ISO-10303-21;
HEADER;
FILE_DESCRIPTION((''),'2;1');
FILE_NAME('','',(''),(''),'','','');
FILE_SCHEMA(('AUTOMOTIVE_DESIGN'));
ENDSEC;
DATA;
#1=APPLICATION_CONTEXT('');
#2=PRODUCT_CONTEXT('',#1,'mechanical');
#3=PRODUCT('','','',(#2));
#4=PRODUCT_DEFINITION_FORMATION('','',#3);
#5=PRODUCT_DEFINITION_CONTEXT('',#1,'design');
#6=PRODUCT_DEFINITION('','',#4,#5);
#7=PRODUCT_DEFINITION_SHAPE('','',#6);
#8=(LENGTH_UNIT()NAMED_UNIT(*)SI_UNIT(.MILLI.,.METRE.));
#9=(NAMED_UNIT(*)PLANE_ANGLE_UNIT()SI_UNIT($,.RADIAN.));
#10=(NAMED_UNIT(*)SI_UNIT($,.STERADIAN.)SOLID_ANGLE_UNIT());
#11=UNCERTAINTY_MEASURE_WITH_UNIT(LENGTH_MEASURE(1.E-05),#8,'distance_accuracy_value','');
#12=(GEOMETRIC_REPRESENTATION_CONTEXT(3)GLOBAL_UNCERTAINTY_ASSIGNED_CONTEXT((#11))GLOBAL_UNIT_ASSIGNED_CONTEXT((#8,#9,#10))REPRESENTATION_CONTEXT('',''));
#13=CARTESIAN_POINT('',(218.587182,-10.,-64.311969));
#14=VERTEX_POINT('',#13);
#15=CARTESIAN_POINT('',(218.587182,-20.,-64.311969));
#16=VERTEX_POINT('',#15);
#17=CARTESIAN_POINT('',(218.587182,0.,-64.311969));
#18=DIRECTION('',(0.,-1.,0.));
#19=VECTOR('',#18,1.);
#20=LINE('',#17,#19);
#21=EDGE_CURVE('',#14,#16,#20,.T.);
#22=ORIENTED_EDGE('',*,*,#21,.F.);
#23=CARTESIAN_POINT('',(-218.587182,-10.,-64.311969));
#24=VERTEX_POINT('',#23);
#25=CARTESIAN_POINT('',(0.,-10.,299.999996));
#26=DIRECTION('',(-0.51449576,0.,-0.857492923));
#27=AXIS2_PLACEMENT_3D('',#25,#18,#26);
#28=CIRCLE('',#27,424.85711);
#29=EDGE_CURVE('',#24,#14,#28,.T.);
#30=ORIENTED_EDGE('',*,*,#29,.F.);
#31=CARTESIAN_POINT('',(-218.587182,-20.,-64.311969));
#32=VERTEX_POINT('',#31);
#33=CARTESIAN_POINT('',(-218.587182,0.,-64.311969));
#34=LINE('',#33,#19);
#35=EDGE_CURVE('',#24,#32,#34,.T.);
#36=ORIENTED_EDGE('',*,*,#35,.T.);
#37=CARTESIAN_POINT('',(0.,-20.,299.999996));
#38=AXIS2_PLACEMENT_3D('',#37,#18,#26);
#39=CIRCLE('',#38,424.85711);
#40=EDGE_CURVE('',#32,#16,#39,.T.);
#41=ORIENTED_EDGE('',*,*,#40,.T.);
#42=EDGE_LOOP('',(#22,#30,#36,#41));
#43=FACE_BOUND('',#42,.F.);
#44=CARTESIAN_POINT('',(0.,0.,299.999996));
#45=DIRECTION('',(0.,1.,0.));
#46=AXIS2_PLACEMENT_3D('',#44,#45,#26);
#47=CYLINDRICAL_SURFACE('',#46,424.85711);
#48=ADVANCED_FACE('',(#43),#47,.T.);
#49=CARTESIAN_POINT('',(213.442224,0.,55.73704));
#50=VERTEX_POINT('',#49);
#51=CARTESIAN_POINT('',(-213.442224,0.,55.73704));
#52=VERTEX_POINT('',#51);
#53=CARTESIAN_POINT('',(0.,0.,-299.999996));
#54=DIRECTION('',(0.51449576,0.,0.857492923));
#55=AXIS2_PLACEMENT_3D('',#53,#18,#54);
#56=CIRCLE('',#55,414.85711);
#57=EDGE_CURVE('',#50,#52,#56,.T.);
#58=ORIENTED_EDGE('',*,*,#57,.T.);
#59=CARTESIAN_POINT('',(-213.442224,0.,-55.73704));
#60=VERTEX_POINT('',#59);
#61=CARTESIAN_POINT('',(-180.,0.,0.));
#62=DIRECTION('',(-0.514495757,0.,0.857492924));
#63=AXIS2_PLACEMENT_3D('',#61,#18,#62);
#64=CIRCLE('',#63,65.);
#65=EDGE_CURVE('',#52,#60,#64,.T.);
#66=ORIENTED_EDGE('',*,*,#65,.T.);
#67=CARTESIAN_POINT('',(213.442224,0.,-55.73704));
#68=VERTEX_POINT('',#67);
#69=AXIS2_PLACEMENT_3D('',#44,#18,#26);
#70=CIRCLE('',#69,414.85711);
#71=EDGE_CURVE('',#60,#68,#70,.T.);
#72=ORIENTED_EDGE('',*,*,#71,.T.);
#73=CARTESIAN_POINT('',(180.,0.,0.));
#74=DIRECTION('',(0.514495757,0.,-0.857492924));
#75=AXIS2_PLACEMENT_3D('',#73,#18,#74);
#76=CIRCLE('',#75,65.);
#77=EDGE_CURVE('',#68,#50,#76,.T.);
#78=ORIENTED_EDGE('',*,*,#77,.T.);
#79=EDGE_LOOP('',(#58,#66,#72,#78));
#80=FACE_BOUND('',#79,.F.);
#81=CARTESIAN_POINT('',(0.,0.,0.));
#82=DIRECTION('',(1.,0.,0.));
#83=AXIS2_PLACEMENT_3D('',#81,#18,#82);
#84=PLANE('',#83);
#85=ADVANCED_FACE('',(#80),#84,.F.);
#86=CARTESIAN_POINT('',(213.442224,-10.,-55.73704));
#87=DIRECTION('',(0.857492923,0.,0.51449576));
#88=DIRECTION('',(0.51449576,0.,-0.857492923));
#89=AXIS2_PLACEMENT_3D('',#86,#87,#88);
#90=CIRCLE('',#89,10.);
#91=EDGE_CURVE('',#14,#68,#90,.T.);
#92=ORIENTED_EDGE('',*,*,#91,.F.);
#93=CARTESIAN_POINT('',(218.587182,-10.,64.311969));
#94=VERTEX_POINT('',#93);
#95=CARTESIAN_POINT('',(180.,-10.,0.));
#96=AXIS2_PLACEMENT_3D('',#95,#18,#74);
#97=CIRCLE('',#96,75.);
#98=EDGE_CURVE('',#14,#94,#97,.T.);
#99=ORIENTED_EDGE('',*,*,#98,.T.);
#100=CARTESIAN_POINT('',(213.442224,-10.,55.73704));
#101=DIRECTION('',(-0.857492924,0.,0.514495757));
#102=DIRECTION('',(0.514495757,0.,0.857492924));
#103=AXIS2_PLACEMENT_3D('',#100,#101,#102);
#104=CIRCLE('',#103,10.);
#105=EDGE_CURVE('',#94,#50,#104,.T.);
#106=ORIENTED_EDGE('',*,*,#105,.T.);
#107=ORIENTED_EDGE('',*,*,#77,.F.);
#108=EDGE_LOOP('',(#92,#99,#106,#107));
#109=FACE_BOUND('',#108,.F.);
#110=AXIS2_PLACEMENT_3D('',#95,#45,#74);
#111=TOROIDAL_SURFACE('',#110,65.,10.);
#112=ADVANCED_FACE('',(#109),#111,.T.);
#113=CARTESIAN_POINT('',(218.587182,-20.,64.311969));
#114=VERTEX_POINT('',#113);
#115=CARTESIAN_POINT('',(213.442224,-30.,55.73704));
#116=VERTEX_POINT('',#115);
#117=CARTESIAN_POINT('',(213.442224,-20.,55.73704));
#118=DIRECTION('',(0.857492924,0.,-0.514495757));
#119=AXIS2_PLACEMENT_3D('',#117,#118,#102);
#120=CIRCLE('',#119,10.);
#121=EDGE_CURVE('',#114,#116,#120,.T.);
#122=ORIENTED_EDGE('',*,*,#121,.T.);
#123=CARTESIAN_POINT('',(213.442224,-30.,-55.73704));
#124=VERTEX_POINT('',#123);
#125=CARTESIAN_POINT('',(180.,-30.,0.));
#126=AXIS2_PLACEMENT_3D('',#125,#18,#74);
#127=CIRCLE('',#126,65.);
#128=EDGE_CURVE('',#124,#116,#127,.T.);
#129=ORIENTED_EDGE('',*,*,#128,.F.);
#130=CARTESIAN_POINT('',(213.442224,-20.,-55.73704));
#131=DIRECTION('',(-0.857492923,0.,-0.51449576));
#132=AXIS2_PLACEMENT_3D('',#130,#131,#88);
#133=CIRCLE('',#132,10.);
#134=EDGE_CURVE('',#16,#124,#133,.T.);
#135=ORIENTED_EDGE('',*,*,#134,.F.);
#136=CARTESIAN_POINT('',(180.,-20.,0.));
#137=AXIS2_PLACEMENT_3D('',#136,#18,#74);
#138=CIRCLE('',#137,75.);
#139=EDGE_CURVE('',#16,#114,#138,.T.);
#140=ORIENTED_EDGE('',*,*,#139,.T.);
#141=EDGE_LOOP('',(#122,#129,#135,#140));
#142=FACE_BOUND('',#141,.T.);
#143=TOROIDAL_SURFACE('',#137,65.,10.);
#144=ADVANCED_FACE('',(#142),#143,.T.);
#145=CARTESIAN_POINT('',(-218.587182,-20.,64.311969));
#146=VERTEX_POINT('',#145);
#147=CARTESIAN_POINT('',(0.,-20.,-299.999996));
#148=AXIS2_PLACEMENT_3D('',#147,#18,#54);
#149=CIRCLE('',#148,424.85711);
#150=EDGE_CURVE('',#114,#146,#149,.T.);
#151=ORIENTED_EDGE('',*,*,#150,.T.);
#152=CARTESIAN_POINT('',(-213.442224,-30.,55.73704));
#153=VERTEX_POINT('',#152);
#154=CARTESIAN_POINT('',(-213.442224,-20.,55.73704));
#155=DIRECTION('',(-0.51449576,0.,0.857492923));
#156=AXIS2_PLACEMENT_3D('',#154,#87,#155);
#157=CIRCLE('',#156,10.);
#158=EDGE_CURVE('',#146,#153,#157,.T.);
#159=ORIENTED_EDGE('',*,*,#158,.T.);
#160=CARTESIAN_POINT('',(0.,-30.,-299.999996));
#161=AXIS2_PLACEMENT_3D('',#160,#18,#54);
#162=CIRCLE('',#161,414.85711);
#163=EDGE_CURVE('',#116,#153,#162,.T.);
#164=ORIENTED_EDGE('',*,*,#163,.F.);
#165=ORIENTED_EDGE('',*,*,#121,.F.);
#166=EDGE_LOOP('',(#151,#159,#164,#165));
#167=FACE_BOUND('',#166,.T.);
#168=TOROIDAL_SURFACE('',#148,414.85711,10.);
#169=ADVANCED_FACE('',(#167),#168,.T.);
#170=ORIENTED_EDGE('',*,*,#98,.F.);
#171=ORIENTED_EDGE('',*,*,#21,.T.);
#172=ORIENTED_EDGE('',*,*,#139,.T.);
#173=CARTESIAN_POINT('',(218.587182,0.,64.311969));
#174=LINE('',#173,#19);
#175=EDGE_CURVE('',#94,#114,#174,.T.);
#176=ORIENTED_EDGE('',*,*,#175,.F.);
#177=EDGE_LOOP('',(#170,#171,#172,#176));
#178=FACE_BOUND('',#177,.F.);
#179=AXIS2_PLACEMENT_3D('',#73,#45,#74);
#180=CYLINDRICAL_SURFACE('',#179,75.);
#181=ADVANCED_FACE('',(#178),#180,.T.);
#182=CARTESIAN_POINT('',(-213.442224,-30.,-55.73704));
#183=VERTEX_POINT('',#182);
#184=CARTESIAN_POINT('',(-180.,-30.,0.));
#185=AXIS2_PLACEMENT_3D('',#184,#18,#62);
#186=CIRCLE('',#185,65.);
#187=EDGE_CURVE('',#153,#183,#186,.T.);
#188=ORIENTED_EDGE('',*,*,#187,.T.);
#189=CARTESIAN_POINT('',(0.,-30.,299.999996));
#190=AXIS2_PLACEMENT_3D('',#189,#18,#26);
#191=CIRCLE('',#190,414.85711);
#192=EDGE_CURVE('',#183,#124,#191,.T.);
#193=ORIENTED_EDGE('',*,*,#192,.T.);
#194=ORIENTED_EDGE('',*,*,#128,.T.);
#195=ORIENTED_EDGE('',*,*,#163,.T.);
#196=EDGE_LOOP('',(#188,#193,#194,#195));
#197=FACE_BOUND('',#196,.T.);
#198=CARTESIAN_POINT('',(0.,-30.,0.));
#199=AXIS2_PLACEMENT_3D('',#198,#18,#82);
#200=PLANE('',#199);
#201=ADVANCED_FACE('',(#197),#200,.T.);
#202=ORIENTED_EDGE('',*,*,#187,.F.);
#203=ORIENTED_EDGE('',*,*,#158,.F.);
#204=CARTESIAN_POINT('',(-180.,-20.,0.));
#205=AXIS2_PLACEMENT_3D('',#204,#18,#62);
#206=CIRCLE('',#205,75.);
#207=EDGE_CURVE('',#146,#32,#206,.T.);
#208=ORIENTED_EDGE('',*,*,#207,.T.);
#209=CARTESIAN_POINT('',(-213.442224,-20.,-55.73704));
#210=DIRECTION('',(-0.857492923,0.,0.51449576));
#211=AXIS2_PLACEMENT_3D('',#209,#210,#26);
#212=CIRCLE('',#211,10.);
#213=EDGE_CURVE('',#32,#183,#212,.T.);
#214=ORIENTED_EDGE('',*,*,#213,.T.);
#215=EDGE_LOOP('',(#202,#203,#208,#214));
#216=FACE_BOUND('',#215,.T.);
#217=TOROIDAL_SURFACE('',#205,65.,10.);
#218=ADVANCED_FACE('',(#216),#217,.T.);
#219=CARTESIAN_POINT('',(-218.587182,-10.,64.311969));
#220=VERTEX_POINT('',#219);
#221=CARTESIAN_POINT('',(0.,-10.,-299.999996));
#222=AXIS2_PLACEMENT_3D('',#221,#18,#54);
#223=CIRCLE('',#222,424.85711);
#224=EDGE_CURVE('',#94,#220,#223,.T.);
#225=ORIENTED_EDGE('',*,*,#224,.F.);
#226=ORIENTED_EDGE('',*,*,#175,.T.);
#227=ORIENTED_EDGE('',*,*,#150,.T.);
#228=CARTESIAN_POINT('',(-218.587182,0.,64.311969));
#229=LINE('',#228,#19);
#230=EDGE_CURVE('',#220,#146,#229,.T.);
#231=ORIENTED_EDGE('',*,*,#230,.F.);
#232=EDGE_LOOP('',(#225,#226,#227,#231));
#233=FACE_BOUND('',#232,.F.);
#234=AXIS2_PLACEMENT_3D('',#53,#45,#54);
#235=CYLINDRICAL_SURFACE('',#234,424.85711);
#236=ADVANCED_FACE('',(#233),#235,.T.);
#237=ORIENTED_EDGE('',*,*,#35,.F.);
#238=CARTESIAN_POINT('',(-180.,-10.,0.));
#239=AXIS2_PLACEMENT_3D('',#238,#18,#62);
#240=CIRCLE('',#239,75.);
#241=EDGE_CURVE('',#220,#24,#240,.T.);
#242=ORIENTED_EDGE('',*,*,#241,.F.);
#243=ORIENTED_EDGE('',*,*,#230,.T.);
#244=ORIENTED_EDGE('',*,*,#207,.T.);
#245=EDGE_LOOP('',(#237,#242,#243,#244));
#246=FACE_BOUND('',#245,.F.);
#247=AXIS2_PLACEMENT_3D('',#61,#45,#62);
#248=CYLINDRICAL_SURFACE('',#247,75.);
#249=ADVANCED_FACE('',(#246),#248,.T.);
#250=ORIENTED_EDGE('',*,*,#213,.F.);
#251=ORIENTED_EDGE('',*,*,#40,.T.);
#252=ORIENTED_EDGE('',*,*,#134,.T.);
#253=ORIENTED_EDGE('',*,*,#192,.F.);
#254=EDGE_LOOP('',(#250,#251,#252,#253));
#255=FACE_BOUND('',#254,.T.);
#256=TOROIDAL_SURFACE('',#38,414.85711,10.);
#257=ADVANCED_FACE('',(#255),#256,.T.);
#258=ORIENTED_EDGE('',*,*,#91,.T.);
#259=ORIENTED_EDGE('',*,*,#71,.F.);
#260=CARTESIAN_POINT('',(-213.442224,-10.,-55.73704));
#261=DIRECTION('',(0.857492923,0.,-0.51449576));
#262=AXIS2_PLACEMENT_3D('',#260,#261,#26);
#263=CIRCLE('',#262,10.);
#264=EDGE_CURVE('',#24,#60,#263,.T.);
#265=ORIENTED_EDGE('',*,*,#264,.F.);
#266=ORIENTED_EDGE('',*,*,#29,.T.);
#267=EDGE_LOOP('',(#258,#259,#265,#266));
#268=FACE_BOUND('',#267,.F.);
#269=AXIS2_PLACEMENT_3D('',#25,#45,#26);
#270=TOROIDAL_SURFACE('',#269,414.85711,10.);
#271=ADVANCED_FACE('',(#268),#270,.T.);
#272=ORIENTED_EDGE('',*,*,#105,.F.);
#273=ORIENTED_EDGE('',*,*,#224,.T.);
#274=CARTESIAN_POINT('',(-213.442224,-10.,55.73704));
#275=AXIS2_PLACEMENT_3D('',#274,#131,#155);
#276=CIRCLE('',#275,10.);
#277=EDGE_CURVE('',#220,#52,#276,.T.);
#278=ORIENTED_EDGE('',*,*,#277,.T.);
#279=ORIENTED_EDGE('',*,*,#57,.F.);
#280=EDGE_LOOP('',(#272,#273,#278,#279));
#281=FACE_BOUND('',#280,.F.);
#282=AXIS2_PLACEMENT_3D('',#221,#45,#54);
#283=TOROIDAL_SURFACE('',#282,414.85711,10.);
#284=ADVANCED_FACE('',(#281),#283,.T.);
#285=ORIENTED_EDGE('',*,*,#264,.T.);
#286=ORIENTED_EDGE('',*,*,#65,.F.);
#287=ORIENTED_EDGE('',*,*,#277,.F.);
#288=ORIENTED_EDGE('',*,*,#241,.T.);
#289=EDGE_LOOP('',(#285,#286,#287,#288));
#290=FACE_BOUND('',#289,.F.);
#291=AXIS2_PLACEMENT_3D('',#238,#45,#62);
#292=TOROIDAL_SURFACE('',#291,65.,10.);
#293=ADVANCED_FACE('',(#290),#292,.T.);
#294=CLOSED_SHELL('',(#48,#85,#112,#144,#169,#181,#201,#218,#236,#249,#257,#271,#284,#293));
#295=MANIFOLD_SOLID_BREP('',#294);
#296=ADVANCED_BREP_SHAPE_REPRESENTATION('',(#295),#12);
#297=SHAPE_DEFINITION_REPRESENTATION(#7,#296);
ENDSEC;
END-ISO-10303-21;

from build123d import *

# Parameters (mm, degrees)
F1_DEPTH = 30
F2_R     = 10


with BuildPart() as f1:
    # F0 (on Front) → F1 (new body)
    with BuildSketch(Plane.XZ):
        with BuildLine():
            ThreePointArc((218.587182, 64.311969), (0, 124.857114), (-218.587182, 64.311969))
            ThreePointArc((-218.587182, 64.311969), (-255, 0), (-218.587182, -64.311969))
            ThreePointArc((-218.587182, -64.311969), (0, -124.857114), (218.587182, -64.311969))
            ThreePointArc((218.587182, -64.311969), (255, 0), (218.587182, 64.311969))
        make_face()
    extrude(amount=F1_DEPTH)

    # F2
    f2_edges = [f1.edges().sort_by_distance(p)[0] for p in [
        (0, -30, -124.857114),
        (0, 0, -124.857114),
    ]]
    fillet(f2_edges, radius=F2_R)


solid = f1.part
